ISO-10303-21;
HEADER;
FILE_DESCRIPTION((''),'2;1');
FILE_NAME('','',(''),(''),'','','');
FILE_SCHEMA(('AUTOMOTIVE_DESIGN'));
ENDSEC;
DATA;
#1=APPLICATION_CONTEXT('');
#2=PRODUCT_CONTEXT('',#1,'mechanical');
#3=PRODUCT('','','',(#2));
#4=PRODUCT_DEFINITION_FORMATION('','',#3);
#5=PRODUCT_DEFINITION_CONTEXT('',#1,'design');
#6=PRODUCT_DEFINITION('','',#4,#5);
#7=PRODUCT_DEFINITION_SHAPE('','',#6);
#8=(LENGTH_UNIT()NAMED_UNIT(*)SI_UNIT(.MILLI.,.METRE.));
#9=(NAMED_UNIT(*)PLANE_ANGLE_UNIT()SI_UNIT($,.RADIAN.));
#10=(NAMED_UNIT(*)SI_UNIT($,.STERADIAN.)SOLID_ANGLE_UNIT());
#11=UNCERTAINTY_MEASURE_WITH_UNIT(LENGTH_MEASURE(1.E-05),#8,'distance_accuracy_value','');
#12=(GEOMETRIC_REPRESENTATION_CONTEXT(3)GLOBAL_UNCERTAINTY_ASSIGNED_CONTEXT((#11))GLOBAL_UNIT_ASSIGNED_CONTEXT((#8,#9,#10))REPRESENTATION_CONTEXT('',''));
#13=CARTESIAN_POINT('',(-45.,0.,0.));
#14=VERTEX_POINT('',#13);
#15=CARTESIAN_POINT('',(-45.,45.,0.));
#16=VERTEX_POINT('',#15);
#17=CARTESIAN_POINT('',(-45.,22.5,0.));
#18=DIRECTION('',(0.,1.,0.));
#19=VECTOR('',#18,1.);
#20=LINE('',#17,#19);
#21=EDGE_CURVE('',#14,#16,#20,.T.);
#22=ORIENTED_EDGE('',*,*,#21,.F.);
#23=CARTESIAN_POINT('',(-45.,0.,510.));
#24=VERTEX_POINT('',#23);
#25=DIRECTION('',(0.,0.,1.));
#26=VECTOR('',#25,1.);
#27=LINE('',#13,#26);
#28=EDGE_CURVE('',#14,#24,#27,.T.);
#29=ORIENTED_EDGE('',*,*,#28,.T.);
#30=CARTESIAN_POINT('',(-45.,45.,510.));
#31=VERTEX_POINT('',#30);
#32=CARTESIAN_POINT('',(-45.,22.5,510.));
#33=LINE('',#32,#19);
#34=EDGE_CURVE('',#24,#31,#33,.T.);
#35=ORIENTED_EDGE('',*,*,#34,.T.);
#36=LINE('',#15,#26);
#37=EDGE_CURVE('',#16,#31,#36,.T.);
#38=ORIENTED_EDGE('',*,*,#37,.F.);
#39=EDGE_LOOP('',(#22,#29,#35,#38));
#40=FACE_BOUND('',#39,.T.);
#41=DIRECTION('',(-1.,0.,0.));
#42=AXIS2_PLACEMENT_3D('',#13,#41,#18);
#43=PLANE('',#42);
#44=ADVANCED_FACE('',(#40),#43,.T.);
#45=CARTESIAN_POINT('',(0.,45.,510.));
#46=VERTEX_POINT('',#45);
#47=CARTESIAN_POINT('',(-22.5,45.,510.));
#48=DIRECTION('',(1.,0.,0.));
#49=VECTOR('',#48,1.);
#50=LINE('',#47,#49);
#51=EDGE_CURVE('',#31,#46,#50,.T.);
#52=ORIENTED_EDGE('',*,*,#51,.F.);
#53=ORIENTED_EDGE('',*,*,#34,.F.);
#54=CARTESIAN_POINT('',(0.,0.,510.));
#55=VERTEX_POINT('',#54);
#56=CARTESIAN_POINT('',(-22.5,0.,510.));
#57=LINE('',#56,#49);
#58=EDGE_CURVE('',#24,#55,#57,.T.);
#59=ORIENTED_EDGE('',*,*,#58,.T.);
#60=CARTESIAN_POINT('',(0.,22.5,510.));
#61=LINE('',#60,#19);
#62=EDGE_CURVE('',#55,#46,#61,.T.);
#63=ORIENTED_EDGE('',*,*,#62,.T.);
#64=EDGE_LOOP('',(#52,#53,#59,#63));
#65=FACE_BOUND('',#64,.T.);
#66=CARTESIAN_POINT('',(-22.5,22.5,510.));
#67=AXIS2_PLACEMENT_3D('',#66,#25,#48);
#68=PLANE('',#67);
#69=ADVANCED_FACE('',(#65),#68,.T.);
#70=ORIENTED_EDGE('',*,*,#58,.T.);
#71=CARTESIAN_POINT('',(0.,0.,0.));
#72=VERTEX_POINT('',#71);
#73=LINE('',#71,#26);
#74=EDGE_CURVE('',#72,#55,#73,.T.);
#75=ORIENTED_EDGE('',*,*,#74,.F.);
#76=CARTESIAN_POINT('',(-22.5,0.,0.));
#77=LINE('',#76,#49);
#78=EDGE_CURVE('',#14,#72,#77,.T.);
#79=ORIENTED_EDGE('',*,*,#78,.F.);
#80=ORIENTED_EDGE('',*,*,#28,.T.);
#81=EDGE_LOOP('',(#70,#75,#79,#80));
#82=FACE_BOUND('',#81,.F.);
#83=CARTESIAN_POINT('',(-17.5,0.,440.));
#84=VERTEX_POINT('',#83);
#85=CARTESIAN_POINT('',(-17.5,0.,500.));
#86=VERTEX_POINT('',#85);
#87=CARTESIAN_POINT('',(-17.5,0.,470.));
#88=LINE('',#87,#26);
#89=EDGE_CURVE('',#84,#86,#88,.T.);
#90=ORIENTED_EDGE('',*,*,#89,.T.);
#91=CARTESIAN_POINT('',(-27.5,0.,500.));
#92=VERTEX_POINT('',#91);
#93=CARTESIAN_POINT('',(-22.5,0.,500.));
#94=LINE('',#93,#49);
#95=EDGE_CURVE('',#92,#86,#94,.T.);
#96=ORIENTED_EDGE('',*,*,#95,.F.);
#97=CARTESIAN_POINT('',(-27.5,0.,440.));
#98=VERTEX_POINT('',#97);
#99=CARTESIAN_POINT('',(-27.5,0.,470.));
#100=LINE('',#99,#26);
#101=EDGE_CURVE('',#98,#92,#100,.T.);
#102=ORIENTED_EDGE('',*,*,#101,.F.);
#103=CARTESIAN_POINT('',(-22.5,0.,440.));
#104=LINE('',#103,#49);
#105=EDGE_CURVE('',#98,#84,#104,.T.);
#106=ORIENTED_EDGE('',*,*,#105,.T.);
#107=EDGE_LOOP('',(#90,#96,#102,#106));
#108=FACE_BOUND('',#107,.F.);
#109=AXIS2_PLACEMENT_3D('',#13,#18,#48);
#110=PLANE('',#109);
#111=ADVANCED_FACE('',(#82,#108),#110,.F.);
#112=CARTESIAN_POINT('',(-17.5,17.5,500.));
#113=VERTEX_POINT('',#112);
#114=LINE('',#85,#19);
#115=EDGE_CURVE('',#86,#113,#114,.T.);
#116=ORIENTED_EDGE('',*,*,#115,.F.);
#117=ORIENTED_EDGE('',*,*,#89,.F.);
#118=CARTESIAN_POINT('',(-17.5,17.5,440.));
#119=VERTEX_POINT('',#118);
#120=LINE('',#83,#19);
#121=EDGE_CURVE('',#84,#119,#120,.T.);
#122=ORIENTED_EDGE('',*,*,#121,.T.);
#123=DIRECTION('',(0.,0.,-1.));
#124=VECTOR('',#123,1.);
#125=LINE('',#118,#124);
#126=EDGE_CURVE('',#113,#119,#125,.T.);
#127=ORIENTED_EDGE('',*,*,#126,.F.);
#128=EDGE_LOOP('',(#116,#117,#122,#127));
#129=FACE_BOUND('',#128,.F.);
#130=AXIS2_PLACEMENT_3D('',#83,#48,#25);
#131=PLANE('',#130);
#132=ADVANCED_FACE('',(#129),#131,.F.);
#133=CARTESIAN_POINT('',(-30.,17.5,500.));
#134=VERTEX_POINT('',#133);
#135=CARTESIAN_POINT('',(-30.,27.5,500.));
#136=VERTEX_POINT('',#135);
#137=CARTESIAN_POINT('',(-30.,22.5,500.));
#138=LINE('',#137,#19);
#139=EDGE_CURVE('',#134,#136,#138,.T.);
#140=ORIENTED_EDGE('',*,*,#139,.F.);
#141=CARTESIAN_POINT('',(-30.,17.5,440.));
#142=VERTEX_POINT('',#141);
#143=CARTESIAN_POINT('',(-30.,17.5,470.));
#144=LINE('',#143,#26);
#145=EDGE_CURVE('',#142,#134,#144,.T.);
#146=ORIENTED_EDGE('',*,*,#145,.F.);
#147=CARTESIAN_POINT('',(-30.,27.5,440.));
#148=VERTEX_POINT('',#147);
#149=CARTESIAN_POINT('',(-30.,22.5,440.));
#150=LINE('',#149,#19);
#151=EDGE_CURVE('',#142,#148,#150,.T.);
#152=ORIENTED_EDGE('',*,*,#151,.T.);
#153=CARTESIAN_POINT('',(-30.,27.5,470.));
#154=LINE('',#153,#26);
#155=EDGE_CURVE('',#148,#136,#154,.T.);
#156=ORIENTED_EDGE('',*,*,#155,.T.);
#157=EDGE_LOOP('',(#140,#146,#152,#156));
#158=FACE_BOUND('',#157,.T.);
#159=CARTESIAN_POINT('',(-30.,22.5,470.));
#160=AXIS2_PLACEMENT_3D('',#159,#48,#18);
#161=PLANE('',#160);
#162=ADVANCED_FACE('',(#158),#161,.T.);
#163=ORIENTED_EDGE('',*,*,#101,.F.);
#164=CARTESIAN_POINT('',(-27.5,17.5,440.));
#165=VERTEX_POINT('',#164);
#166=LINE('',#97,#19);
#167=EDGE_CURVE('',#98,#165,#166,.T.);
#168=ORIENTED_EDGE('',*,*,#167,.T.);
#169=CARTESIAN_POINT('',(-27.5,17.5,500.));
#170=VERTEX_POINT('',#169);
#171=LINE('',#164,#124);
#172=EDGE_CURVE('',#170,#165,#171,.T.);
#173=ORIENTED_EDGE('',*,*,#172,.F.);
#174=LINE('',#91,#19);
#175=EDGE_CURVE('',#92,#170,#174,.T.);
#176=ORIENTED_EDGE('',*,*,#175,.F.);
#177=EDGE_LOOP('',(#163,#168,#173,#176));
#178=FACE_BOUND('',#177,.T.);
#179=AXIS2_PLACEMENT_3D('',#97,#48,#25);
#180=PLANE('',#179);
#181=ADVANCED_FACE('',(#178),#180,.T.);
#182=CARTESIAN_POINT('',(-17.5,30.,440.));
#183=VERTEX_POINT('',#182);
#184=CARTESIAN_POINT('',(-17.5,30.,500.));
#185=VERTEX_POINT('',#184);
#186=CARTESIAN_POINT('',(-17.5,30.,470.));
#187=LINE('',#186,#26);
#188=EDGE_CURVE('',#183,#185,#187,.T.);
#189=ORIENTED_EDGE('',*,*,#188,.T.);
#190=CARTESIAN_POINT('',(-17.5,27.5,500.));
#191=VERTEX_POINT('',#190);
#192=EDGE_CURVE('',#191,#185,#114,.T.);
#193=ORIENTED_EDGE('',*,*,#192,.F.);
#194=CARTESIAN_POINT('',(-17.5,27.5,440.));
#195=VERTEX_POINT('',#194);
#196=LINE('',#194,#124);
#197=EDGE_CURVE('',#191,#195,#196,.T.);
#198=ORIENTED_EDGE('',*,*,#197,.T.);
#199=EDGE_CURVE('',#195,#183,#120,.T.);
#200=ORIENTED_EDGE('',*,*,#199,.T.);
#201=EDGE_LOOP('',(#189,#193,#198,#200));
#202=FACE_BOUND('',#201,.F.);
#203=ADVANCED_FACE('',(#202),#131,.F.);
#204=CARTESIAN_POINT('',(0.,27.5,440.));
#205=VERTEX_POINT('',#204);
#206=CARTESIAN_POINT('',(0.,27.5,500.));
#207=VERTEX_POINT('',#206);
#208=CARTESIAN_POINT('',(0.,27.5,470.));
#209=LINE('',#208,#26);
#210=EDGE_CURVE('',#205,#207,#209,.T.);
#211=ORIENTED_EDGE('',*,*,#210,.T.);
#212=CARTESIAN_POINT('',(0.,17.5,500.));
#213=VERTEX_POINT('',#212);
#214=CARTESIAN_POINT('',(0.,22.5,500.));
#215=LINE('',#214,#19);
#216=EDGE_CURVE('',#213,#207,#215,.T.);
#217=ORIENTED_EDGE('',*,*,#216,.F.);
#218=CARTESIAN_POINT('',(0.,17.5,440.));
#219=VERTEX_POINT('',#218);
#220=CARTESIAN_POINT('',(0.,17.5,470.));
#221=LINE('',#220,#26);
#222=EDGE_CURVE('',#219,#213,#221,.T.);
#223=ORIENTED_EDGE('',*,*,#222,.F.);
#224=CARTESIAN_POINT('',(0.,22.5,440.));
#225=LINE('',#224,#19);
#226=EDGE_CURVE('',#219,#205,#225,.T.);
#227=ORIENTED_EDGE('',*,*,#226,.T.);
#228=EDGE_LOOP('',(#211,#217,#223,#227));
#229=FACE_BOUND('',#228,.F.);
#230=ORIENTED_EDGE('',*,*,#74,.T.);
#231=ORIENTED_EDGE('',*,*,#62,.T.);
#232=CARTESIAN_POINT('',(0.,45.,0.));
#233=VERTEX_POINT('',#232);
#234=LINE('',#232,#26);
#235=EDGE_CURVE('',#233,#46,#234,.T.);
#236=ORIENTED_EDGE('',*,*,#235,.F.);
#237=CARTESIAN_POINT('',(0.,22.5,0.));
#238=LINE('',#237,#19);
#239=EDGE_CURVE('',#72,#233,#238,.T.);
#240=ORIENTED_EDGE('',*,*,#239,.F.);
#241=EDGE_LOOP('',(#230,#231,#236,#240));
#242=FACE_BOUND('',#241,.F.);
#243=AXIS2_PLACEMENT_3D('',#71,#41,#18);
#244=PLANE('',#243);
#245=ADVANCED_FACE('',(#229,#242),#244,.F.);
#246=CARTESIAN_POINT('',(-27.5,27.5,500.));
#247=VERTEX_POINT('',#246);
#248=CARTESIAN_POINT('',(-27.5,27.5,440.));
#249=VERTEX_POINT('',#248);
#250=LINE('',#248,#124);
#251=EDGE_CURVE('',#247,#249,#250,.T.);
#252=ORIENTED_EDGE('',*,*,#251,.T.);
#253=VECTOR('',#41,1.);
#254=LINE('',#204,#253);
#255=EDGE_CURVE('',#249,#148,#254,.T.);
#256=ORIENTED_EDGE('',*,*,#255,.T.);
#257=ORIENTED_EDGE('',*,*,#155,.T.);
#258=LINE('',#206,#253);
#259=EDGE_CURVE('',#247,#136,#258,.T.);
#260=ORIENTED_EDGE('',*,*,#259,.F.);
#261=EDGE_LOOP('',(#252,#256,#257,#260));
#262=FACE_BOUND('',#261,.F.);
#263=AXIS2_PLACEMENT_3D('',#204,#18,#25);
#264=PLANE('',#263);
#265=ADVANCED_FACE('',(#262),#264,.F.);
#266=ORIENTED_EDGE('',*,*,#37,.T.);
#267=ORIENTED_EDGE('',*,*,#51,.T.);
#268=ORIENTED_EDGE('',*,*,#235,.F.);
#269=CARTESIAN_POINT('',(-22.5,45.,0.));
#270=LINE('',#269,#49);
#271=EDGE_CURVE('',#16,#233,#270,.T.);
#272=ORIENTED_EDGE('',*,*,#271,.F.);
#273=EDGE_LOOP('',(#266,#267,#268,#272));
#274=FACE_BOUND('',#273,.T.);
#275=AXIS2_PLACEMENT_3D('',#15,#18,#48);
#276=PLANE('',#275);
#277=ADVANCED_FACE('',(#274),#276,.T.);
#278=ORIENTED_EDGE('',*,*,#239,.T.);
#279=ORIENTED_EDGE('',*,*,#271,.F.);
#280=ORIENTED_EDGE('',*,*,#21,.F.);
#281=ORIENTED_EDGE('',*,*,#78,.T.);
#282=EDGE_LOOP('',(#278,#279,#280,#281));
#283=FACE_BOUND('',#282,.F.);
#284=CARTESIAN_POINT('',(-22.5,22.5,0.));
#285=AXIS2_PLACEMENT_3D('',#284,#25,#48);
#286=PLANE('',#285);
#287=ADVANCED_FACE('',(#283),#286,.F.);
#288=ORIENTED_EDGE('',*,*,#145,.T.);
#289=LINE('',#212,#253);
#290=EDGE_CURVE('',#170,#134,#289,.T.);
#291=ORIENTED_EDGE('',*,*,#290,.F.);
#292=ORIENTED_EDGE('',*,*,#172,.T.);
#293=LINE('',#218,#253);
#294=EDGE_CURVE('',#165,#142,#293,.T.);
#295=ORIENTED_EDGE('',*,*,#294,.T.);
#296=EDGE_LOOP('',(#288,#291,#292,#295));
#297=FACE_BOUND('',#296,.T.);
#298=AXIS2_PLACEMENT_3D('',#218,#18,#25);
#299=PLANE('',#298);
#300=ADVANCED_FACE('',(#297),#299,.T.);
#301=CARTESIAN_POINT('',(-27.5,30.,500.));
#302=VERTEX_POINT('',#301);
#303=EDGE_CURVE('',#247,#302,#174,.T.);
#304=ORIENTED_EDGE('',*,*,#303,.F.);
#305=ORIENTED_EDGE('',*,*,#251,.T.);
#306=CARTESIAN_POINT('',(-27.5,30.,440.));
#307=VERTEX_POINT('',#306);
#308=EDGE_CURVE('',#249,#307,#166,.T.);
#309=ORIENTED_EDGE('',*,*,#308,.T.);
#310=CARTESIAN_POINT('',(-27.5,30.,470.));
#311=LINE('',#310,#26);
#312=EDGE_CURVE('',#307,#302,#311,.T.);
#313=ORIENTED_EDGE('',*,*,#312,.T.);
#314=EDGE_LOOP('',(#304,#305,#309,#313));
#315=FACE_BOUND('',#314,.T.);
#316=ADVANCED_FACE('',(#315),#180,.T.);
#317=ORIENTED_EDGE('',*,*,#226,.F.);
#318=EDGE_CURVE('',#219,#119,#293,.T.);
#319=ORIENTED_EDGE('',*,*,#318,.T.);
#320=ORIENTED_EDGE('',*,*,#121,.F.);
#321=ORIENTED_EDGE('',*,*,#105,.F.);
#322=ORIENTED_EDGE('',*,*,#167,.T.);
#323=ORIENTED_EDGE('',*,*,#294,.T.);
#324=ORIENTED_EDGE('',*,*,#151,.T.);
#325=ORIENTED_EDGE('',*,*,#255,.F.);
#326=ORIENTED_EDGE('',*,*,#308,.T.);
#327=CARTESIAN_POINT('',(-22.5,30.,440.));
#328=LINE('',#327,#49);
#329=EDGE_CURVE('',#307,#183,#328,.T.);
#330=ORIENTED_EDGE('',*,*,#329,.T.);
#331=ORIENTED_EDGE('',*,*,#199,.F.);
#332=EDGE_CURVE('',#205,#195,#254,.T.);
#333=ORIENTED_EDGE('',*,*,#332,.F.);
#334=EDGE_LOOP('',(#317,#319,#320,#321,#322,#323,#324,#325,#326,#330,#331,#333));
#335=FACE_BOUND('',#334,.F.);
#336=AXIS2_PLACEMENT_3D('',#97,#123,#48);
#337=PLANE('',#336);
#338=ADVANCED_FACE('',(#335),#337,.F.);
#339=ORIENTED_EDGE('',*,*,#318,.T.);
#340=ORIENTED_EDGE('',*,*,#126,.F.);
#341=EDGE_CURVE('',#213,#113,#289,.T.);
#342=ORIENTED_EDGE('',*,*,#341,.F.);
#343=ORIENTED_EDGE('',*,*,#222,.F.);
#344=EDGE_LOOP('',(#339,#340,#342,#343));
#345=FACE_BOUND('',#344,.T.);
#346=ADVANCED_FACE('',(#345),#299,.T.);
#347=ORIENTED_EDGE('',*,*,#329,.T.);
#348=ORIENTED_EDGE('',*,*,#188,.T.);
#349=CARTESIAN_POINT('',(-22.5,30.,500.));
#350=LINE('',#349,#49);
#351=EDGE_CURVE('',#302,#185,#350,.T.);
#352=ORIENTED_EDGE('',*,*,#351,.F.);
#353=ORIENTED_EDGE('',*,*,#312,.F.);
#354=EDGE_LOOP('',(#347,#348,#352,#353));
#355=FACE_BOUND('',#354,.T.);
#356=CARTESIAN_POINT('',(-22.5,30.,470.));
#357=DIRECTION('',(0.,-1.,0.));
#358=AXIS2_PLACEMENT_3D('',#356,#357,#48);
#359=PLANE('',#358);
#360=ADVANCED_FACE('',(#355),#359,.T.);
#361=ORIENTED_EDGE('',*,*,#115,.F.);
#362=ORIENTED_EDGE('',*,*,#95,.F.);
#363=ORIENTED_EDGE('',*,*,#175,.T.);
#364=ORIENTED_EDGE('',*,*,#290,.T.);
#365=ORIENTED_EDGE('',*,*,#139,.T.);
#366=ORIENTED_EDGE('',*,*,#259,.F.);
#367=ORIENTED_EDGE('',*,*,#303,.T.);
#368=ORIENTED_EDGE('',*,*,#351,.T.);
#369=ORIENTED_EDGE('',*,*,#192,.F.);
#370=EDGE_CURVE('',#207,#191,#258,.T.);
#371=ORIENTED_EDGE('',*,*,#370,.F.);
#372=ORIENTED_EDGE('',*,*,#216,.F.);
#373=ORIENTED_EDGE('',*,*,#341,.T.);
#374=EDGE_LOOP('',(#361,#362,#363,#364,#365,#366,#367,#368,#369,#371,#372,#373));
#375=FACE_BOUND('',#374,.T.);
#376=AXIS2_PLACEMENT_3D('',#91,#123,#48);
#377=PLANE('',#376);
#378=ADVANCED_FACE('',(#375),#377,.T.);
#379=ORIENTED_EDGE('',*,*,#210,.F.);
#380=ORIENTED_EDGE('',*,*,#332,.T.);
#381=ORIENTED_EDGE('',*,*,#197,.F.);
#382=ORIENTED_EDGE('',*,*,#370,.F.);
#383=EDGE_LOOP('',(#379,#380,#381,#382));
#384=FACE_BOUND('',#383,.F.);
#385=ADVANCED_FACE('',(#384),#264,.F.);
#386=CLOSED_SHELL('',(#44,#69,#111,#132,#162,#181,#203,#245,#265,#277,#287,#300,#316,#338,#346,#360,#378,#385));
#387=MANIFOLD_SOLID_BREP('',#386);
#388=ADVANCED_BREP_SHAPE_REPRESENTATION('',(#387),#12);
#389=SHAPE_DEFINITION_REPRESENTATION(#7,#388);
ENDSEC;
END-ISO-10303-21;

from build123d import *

# Parameters (mm, degrees)
F0_W     = 45
F0_H     = 45
F1_DEPTH = 510
F2_W     = 10
F2_H     = 60
F4_DEPTH = 30
F3_W     = 10
F3_H     = 60
F5_DEPTH = 30


with BuildPart() as f1:
    # F0 (on Top) → F1 (new body)
    with BuildSketch(Plane.XY):
        with Locations((-22.5, 22.5)):
            Rectangle(F0_W, F0_H)
    extrude(amount=F1_DEPTH)

    # F2 (on face) → F4 (cut)
    with BuildSketch(Plane.YZ):
        with Locations((22.5, 470)):
            Rectangle(F2_W, F2_H)
    extrude(amount=-F4_DEPTH, mode=Mode.SUBTRACT)

    # F3 (on face) → F5 (cut)
    with BuildSketch(Plane.XZ):
        with Locations((-22.5, 470)):
            Rectangle(F3_W, F3_H)
    extrude(amount=-F5_DEPTH, mode=Mode.SUBTRACT)


solid = f1.part
